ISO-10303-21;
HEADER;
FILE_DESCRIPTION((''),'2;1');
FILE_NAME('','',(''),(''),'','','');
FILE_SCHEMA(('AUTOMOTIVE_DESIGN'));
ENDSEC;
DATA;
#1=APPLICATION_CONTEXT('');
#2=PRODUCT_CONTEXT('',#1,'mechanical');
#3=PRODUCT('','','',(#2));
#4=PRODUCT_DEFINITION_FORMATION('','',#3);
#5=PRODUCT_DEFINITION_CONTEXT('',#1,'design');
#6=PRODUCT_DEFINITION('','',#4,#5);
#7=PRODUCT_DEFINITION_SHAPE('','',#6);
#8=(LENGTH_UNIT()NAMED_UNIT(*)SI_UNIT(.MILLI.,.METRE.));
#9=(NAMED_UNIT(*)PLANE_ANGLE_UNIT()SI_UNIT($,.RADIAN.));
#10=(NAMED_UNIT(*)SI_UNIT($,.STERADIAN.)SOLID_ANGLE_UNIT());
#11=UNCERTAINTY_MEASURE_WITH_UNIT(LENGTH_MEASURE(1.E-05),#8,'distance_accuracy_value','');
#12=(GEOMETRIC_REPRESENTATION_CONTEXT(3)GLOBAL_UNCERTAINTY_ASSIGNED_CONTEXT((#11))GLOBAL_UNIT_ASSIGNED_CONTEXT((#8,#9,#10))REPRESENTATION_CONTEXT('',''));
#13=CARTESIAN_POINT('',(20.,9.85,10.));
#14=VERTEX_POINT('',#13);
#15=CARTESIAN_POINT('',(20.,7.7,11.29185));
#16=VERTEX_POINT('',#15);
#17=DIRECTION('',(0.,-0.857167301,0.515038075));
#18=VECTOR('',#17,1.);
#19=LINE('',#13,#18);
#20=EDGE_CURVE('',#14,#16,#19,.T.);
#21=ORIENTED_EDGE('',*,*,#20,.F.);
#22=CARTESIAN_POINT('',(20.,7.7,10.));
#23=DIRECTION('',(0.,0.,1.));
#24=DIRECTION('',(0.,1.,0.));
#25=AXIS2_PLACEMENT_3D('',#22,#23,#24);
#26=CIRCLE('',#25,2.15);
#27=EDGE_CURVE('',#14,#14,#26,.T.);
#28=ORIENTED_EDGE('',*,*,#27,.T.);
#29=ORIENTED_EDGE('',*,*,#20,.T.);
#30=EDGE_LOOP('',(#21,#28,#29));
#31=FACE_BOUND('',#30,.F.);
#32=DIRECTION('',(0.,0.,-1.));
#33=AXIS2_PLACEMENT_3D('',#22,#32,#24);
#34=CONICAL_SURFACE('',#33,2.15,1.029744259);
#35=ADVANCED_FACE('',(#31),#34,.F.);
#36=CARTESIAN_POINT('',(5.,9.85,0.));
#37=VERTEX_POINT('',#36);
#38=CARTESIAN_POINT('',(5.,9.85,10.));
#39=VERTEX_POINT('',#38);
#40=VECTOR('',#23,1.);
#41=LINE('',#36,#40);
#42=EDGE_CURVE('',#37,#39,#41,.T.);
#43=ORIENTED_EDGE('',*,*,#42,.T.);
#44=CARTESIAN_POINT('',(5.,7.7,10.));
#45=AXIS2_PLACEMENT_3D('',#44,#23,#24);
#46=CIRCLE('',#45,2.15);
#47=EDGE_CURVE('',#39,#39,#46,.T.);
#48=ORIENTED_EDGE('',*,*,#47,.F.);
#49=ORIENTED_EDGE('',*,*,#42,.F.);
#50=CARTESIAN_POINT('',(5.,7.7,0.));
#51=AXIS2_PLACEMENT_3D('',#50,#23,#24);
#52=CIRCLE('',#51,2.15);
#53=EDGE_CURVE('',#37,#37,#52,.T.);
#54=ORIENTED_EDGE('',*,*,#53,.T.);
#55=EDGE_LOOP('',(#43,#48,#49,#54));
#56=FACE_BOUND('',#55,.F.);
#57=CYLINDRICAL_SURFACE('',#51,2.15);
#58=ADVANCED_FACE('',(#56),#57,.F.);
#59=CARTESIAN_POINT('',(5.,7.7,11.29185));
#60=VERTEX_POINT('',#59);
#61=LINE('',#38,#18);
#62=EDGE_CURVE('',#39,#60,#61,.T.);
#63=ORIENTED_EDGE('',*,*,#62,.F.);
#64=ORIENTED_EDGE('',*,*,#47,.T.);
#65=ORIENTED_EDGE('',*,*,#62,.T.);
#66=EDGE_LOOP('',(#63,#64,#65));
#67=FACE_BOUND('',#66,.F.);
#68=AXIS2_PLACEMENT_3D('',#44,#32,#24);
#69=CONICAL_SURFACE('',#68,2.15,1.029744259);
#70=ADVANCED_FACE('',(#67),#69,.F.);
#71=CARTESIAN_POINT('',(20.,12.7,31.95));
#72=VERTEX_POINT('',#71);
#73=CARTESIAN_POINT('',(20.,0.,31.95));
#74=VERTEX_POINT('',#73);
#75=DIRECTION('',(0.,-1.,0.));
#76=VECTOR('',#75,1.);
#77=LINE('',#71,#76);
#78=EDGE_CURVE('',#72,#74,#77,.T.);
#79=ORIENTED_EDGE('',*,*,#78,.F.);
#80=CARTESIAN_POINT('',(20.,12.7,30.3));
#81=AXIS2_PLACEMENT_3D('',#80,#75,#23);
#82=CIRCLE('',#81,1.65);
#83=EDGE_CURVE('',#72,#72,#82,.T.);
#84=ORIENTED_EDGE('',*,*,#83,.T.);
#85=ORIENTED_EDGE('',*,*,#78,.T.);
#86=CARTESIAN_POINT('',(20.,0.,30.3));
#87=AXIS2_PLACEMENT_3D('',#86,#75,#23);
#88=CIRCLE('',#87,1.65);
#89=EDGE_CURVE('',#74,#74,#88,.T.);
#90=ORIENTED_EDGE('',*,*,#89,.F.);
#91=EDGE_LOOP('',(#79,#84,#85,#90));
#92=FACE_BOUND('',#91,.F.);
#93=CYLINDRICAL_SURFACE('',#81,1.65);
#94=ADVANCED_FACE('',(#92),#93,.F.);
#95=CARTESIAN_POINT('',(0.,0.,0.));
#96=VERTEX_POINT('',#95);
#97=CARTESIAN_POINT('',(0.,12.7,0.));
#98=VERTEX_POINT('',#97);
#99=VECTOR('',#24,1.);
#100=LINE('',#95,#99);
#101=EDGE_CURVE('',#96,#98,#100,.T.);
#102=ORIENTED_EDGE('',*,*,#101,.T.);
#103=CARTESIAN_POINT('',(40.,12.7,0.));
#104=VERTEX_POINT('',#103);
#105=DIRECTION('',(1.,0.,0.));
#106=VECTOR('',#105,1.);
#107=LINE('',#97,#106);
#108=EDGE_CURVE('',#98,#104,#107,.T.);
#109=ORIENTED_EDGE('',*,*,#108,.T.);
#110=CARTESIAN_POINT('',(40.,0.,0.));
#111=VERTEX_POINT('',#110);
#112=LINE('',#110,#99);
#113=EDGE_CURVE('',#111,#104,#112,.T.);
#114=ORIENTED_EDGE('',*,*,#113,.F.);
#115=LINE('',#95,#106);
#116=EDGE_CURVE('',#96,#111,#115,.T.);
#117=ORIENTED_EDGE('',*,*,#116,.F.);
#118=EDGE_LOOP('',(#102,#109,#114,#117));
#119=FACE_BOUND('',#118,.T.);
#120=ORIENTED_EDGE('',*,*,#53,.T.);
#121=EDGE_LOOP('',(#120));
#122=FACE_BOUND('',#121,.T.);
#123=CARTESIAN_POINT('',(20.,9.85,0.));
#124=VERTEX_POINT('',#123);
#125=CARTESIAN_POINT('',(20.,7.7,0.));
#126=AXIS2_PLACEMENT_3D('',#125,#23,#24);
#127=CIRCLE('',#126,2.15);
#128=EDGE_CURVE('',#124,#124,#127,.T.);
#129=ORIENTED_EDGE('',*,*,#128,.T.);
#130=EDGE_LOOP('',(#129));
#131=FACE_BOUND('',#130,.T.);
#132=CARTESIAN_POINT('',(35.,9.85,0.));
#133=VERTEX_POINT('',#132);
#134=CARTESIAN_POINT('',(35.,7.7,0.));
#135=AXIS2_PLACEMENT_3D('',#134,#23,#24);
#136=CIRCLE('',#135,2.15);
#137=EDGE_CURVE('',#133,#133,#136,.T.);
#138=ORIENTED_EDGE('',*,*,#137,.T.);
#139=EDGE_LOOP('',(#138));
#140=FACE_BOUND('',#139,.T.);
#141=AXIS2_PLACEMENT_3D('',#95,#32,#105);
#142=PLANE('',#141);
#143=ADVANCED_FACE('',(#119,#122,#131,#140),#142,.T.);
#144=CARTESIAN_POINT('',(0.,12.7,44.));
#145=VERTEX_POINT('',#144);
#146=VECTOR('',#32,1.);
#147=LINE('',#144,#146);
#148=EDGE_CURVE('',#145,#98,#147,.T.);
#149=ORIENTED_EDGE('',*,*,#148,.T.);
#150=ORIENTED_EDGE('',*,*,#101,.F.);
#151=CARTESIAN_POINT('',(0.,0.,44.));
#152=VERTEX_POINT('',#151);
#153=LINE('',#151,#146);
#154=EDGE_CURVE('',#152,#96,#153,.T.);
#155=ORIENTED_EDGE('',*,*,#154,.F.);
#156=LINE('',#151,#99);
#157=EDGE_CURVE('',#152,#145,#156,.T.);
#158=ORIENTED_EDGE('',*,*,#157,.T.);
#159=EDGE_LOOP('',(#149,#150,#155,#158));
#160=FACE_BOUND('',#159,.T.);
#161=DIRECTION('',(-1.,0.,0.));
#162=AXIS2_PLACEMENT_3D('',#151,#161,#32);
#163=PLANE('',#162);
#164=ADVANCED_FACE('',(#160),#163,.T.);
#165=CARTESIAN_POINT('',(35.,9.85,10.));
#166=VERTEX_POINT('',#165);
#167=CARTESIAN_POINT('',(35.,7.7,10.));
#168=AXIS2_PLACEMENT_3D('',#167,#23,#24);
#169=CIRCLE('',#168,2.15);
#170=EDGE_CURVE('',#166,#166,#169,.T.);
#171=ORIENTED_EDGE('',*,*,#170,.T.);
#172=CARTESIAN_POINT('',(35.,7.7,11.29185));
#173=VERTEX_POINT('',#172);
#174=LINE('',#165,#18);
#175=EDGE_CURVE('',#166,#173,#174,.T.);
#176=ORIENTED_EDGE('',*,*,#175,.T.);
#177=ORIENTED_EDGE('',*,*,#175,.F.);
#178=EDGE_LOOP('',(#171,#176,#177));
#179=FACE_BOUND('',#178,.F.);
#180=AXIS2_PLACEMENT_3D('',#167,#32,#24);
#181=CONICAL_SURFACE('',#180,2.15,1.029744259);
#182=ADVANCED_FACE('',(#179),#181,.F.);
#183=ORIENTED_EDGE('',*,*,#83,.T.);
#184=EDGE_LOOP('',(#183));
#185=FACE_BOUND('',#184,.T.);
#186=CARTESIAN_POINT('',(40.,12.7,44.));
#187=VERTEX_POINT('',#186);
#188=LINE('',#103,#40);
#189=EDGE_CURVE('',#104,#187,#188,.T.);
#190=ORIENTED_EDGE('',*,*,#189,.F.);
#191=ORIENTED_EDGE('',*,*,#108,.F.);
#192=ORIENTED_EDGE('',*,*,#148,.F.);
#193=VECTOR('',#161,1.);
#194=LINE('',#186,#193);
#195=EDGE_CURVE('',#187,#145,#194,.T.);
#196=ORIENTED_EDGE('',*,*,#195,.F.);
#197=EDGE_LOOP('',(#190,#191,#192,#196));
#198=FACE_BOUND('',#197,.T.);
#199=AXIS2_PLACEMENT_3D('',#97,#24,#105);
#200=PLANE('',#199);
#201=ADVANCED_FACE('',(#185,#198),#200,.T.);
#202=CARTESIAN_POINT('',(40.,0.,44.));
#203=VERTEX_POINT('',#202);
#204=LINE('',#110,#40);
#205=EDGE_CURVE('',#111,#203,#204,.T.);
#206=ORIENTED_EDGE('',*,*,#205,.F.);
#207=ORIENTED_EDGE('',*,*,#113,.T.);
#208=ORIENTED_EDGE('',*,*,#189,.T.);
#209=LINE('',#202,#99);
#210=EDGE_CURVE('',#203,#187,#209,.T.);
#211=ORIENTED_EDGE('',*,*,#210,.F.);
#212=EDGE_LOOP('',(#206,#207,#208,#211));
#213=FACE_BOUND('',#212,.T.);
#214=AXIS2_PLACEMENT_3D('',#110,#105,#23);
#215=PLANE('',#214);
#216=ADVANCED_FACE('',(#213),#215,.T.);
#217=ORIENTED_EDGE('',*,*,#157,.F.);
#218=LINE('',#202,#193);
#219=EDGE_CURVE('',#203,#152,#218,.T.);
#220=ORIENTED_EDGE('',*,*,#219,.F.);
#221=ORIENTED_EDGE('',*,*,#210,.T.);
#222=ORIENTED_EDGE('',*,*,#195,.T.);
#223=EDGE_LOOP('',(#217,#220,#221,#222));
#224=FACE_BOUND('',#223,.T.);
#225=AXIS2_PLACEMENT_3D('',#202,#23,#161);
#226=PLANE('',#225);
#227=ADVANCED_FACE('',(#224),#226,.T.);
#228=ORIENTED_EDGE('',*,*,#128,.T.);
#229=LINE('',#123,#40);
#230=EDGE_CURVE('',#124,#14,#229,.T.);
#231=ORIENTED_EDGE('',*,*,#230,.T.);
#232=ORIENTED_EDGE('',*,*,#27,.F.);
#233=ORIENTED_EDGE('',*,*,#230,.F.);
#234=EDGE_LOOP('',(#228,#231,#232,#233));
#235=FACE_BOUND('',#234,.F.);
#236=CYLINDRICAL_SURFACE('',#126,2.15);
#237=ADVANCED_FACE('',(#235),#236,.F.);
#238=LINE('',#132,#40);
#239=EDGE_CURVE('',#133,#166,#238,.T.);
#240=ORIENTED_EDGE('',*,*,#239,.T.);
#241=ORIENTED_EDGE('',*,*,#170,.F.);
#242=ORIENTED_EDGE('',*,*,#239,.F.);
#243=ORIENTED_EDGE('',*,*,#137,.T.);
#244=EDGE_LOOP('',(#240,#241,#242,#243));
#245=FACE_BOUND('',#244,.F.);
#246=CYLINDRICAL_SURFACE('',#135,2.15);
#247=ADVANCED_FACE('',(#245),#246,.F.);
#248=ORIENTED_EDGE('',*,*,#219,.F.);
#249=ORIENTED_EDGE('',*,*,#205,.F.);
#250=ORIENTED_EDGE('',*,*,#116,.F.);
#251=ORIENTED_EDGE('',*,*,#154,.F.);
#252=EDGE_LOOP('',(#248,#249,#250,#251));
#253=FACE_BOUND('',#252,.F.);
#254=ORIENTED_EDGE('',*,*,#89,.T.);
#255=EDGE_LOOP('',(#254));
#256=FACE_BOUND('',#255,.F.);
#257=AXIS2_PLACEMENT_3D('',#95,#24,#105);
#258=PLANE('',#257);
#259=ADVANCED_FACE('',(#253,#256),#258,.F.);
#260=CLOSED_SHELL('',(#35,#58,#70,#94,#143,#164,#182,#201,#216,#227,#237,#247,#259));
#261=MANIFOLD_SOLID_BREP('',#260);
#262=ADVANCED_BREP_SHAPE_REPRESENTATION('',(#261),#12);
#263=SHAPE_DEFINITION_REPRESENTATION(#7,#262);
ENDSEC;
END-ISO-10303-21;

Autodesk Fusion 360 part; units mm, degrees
sketch "Sketch1" plane through (0, 0, 0) normal (0, 1, 0) x (1, 0, 0)
  line L0 (0, 0) -> (40, 0)
  line L1 (40, 0) -> (40, -44)
  line L2 (40, -44) -> (0, -44)
  line L3 (0, -44) -> (0, 0)
  dimension "d1" = 40
  dimension "d2" = 44
extrude "Extrude1" add sketch "Sketch1" along normal blind 12.7
sketch "Sketch2" plane through (0, 12.7, 0) normal (0, 1, 0) x (-1, 0, 0)
  line L0 (0, 44) -> (-40, 44)
  line L1 (-40, 44) -> (-40, 0)
  line L2 (-40, 0) -> (0, 0)
  line L3 (0, 0) -> (0, 44)
  line L4 (0, 30.3) -> (-40, 30.3) construction
  point P0 (-20, 30.3)
  dimension "d38" = 30.3
hole "Hole8" at (20, 12.7, 30.3) direction (0, -1, 0) diameter 3.3 end through all
sketch "Sketch4" plane through (0, 0, 0) normal (0, 0, -1) x (-1, 0, 0)
  line L0 (-40, 0) -> (0, 0)
  line L1 (0, 0) -> (0, 12.7)
  line L2 (0, 12.7) -> (-40, 12.7)
  line L3 (-40, 12.7) -> (-40, 0)
  line L4 (-40, 7.7) -> (0, 7.7) construction
  line L5 (-20, 12.7) -> (-20, 0) construction
  point P0 (-35, 7.7)
  point P1 (-5, 7.7)
  point P2 (-20, 7.7)
  dimension "d39" = 5
  dimension "d40" = 15
  dimension "d41" = 15
hole "Hole9" at (35, 7.7, 0) direction (0, 0, 1) diameter 4.3 depth 10 tip angle 118
hole "Hole10" at (5, 7.7, 0) direction (0, 0, 1) diameter 4.3 depth 10 tip angle 118
hole "Hole11" at (20, 7.7, 0) direction (0, 0, 1) diameter 4.3 depth 10 tip angle 118
